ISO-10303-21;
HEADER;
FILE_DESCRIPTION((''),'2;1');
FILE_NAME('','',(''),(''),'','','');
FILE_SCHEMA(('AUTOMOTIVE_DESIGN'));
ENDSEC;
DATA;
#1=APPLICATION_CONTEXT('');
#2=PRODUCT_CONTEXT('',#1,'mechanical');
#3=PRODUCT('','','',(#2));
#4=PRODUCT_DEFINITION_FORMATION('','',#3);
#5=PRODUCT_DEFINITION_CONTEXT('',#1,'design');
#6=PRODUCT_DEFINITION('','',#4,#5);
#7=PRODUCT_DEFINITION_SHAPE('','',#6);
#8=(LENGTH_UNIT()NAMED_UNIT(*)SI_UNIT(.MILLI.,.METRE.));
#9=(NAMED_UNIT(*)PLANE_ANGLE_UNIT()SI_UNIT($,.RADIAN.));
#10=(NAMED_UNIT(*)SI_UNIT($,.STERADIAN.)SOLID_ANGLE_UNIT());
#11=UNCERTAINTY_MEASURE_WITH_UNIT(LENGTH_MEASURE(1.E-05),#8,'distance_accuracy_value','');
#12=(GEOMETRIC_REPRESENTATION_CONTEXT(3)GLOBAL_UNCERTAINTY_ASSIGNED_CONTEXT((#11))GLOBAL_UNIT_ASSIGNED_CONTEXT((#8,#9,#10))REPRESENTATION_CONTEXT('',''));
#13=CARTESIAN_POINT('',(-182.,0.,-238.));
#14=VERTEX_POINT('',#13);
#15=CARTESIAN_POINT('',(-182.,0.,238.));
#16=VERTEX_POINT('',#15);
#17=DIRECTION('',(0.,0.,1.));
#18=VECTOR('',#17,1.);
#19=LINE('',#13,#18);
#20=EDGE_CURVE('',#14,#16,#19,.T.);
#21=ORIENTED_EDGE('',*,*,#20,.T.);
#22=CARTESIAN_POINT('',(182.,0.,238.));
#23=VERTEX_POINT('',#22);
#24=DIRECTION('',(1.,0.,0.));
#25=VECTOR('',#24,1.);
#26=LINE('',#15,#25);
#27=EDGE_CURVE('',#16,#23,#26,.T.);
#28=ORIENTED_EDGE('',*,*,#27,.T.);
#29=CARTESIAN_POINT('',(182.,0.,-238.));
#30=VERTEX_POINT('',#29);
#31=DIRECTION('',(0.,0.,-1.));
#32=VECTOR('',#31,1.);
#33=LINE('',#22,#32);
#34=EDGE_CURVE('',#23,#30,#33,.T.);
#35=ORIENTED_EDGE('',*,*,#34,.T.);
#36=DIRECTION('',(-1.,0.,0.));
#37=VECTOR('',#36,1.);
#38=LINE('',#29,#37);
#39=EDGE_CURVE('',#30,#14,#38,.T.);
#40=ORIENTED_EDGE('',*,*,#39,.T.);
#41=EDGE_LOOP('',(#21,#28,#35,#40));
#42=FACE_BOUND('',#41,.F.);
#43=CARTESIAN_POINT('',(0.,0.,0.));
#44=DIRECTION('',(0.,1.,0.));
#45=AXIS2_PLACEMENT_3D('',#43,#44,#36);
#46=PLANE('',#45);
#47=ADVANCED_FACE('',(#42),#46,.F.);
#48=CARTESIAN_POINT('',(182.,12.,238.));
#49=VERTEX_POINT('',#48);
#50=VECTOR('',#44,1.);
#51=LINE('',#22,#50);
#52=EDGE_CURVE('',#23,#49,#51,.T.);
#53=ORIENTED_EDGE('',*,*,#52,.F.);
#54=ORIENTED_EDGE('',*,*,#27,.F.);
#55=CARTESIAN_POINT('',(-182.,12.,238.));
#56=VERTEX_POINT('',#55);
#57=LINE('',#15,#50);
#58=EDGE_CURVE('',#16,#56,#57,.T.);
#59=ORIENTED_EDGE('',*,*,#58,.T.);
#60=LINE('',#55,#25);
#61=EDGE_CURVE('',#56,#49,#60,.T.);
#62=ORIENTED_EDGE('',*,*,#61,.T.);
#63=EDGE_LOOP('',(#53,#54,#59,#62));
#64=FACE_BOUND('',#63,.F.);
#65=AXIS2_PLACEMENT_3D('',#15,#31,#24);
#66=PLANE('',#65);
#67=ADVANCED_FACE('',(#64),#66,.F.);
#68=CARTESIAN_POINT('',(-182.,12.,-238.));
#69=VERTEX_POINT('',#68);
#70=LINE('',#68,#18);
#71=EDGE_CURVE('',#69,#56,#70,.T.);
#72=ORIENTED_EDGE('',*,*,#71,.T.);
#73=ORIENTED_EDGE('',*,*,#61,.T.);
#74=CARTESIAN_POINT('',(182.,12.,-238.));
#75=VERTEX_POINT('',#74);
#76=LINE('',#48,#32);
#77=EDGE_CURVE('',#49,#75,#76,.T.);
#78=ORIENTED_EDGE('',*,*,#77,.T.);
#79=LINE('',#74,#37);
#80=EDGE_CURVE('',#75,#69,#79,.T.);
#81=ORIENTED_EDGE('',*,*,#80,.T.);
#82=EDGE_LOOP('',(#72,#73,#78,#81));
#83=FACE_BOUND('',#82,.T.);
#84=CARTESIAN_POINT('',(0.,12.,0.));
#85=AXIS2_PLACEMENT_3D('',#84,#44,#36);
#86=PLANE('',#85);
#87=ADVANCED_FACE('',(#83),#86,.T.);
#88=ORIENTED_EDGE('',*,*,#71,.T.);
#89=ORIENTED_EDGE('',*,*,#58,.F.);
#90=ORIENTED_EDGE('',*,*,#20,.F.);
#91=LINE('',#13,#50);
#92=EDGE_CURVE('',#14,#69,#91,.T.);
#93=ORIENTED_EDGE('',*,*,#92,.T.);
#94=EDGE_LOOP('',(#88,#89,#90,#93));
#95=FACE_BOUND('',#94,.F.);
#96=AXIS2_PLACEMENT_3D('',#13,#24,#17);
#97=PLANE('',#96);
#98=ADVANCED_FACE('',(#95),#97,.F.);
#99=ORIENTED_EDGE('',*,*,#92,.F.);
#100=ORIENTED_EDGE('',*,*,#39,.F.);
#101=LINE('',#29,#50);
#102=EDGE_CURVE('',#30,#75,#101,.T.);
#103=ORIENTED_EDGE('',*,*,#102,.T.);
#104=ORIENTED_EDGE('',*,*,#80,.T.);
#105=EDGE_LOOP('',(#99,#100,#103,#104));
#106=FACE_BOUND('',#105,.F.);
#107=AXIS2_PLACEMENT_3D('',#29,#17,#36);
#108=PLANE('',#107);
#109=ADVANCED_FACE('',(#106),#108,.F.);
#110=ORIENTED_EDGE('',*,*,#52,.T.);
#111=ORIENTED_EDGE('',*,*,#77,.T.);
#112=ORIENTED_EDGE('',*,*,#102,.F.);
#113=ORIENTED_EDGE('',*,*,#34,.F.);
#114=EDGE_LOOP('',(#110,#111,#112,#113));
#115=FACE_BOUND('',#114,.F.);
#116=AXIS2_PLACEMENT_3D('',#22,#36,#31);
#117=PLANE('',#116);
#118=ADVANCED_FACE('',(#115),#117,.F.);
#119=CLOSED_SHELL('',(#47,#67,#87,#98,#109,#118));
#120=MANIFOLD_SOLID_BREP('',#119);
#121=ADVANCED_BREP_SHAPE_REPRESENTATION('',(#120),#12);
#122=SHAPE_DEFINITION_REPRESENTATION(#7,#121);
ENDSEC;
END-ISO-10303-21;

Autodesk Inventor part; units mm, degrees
ref_plane "YZ Plane" through (0, 0, 0) normal (1, 0, 0) x (0, 1, 0)
ref_plane "XZ Plane" through (0, 0, 0) normal (0, 1, 0) x (-1, 0, 0)
ref_plane "XY Plane" through (0, 0, 0) normal (0, 0, 1) x (1, 0, 0)
sketch "Skizze1" plane through (0, 0, 0) normal (0, 1, 0) x (-1, 0, 0)
  line L0 (182, 238) -> (-182, 238)
  line L1 (-182, 238) -> (-182, -238)
  line L2 (-182, -238) -> (182, -238)
  line L3 (182, -238) -> (182, 238)
  point P0 (0, 0)
  point P1 (0, 238)
  point P2 (182, 0)
  dimension "d0" = 364
  dimension "d1" = 476
extrude "Extrusion1" add sketch "Skizze1" along normal blind 12
properties part number "Rückseite_Gehäuse" material "Holz (Kirsche)"
